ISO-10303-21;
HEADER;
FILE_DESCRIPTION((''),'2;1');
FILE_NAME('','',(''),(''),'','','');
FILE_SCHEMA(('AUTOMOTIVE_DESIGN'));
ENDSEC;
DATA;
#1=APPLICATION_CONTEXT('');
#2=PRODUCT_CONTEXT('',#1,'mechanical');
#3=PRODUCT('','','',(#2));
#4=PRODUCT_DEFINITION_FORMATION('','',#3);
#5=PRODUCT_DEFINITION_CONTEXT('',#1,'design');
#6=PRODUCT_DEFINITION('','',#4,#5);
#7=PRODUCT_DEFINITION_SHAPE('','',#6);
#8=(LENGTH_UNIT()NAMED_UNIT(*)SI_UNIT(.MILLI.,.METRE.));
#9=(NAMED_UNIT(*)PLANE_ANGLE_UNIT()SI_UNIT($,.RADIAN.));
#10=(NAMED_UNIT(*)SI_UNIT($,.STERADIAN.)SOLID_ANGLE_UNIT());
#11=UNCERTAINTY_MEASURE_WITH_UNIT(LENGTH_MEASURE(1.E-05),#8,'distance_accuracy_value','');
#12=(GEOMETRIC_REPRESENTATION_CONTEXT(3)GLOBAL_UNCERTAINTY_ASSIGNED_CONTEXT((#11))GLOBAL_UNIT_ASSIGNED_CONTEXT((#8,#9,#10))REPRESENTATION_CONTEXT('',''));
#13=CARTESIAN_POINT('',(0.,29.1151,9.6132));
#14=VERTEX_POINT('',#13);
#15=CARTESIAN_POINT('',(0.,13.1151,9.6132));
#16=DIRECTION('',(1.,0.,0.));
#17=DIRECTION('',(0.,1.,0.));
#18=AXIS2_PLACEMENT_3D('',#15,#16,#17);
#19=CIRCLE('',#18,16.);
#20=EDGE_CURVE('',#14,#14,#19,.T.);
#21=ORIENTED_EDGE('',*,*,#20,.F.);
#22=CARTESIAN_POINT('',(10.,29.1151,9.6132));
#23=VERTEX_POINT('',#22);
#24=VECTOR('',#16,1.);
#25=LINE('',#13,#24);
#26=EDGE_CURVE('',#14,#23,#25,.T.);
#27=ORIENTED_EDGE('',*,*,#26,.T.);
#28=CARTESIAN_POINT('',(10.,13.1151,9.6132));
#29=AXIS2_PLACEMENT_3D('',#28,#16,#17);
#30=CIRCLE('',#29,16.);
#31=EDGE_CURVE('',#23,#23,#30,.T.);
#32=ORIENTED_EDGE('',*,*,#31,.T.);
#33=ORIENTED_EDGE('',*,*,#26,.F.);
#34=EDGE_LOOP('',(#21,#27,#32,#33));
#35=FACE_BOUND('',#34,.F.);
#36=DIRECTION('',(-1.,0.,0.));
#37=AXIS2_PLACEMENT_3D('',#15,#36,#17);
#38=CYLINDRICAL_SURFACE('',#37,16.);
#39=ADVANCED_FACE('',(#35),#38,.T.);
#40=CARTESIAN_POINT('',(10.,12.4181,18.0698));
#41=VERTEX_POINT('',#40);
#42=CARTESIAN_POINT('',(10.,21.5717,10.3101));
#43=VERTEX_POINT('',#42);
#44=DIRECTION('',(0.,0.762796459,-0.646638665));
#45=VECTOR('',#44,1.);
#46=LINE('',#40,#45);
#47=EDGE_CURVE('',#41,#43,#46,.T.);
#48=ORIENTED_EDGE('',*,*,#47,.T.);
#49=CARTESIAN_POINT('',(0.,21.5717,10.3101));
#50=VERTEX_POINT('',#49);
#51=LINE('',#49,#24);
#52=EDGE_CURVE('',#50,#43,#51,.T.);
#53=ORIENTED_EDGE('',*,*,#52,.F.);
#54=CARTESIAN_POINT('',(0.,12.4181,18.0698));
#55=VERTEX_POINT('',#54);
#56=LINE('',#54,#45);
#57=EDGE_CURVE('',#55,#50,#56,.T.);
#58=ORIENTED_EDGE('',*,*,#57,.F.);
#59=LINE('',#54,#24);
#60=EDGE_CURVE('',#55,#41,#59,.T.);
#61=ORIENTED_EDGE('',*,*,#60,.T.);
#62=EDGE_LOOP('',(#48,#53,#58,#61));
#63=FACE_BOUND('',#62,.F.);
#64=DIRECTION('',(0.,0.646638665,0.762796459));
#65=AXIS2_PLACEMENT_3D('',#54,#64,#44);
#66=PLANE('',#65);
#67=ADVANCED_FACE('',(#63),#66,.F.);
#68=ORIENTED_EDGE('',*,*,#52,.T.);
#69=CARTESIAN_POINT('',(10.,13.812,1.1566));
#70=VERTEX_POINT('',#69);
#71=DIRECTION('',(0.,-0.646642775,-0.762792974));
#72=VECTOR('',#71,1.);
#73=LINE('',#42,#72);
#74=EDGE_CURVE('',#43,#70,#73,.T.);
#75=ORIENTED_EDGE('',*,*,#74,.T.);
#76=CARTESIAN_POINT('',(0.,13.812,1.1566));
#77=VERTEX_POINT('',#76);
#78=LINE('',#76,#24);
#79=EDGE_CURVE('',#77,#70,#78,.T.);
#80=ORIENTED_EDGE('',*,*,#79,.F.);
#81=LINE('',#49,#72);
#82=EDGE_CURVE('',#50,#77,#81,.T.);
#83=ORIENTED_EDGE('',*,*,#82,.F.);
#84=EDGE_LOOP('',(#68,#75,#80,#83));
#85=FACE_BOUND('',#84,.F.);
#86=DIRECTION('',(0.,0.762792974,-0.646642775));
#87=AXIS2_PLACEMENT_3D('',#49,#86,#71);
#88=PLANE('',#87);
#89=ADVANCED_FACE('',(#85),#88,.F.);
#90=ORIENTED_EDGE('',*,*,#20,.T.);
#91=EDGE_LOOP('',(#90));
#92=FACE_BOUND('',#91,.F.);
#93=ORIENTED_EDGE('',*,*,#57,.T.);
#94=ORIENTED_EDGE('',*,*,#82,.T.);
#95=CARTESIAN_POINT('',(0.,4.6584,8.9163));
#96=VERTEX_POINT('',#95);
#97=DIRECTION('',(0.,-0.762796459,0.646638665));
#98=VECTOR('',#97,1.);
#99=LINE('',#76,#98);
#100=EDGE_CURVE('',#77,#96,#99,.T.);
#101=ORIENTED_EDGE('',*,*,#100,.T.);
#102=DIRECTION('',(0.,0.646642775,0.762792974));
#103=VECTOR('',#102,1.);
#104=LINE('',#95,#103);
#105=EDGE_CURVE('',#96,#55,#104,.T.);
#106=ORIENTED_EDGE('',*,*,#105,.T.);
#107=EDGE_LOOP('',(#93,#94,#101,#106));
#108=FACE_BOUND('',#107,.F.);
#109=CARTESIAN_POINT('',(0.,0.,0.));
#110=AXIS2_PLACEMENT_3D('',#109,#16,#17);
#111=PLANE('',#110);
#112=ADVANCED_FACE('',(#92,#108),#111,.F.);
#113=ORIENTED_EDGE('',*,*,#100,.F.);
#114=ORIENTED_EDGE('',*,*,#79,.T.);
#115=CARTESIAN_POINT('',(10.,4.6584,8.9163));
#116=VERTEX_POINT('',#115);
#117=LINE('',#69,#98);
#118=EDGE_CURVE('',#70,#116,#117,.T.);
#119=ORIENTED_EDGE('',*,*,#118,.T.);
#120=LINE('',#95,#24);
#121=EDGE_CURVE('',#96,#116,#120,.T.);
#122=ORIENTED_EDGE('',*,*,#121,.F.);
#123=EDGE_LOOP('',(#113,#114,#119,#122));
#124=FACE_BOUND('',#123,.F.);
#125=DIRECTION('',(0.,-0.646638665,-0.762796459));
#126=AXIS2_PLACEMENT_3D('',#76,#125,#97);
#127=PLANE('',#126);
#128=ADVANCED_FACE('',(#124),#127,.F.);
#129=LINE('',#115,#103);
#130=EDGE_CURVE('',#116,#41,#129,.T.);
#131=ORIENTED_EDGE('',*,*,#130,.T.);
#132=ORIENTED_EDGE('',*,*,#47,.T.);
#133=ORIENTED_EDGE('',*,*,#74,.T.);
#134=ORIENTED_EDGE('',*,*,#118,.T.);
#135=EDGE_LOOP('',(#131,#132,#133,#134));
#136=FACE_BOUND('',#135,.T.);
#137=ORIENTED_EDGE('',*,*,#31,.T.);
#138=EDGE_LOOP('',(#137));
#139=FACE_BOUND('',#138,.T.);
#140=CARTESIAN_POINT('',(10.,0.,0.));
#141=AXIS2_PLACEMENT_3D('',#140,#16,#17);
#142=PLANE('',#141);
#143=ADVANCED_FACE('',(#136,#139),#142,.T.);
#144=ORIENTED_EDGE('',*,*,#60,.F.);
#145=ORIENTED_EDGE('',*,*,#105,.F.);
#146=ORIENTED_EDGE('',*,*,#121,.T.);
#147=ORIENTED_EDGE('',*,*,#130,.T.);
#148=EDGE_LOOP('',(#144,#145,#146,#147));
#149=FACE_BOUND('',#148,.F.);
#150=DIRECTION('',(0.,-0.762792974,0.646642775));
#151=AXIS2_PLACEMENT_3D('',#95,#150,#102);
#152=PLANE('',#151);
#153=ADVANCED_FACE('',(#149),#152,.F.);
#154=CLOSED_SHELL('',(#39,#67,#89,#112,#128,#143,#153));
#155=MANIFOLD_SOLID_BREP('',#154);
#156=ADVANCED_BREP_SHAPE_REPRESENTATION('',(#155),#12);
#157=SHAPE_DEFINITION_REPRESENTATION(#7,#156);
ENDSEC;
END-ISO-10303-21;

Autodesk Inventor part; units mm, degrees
ref_plane "YZ Plane" through (0, 0, 0) normal (1, 0, 0) x (0, 1, 0)
ref_plane "XZ Plane" through (0, 0, 0) normal (0, 1, 0) x (-1, 0, 0)
ref_plane "XY Plane" through (0, 0, 0) normal (0, 0, 1) x (1, 0, 0)
sketch "Эскиз1" plane through (0, 0, 0) normal (1, 0, 0) x (0, 1, 0)
  circle A0 centre (13.1151, 9.6132) radius 16
  line L0 (12.4181, 18.0698) -> (21.5717, 10.3101)
  line L1 (21.5717, 10.3101) -> (13.812, 1.1566)
  line L2 (13.812, 1.1566) -> (4.6584, 8.9163)
  line L3 (4.6584, 8.9163) -> (12.4181, 18.0698)
  line L4 (12.4181, 18.0698) -> (13.812, 1.1566) construction
  point P0 (0, 0)
  dimension "d0" = 32
  dimension "d2" = 12
extrude "Выдавливание1" add sketch "Эскиз1" along normal blind 10
properties part number "Задание номер 7"
